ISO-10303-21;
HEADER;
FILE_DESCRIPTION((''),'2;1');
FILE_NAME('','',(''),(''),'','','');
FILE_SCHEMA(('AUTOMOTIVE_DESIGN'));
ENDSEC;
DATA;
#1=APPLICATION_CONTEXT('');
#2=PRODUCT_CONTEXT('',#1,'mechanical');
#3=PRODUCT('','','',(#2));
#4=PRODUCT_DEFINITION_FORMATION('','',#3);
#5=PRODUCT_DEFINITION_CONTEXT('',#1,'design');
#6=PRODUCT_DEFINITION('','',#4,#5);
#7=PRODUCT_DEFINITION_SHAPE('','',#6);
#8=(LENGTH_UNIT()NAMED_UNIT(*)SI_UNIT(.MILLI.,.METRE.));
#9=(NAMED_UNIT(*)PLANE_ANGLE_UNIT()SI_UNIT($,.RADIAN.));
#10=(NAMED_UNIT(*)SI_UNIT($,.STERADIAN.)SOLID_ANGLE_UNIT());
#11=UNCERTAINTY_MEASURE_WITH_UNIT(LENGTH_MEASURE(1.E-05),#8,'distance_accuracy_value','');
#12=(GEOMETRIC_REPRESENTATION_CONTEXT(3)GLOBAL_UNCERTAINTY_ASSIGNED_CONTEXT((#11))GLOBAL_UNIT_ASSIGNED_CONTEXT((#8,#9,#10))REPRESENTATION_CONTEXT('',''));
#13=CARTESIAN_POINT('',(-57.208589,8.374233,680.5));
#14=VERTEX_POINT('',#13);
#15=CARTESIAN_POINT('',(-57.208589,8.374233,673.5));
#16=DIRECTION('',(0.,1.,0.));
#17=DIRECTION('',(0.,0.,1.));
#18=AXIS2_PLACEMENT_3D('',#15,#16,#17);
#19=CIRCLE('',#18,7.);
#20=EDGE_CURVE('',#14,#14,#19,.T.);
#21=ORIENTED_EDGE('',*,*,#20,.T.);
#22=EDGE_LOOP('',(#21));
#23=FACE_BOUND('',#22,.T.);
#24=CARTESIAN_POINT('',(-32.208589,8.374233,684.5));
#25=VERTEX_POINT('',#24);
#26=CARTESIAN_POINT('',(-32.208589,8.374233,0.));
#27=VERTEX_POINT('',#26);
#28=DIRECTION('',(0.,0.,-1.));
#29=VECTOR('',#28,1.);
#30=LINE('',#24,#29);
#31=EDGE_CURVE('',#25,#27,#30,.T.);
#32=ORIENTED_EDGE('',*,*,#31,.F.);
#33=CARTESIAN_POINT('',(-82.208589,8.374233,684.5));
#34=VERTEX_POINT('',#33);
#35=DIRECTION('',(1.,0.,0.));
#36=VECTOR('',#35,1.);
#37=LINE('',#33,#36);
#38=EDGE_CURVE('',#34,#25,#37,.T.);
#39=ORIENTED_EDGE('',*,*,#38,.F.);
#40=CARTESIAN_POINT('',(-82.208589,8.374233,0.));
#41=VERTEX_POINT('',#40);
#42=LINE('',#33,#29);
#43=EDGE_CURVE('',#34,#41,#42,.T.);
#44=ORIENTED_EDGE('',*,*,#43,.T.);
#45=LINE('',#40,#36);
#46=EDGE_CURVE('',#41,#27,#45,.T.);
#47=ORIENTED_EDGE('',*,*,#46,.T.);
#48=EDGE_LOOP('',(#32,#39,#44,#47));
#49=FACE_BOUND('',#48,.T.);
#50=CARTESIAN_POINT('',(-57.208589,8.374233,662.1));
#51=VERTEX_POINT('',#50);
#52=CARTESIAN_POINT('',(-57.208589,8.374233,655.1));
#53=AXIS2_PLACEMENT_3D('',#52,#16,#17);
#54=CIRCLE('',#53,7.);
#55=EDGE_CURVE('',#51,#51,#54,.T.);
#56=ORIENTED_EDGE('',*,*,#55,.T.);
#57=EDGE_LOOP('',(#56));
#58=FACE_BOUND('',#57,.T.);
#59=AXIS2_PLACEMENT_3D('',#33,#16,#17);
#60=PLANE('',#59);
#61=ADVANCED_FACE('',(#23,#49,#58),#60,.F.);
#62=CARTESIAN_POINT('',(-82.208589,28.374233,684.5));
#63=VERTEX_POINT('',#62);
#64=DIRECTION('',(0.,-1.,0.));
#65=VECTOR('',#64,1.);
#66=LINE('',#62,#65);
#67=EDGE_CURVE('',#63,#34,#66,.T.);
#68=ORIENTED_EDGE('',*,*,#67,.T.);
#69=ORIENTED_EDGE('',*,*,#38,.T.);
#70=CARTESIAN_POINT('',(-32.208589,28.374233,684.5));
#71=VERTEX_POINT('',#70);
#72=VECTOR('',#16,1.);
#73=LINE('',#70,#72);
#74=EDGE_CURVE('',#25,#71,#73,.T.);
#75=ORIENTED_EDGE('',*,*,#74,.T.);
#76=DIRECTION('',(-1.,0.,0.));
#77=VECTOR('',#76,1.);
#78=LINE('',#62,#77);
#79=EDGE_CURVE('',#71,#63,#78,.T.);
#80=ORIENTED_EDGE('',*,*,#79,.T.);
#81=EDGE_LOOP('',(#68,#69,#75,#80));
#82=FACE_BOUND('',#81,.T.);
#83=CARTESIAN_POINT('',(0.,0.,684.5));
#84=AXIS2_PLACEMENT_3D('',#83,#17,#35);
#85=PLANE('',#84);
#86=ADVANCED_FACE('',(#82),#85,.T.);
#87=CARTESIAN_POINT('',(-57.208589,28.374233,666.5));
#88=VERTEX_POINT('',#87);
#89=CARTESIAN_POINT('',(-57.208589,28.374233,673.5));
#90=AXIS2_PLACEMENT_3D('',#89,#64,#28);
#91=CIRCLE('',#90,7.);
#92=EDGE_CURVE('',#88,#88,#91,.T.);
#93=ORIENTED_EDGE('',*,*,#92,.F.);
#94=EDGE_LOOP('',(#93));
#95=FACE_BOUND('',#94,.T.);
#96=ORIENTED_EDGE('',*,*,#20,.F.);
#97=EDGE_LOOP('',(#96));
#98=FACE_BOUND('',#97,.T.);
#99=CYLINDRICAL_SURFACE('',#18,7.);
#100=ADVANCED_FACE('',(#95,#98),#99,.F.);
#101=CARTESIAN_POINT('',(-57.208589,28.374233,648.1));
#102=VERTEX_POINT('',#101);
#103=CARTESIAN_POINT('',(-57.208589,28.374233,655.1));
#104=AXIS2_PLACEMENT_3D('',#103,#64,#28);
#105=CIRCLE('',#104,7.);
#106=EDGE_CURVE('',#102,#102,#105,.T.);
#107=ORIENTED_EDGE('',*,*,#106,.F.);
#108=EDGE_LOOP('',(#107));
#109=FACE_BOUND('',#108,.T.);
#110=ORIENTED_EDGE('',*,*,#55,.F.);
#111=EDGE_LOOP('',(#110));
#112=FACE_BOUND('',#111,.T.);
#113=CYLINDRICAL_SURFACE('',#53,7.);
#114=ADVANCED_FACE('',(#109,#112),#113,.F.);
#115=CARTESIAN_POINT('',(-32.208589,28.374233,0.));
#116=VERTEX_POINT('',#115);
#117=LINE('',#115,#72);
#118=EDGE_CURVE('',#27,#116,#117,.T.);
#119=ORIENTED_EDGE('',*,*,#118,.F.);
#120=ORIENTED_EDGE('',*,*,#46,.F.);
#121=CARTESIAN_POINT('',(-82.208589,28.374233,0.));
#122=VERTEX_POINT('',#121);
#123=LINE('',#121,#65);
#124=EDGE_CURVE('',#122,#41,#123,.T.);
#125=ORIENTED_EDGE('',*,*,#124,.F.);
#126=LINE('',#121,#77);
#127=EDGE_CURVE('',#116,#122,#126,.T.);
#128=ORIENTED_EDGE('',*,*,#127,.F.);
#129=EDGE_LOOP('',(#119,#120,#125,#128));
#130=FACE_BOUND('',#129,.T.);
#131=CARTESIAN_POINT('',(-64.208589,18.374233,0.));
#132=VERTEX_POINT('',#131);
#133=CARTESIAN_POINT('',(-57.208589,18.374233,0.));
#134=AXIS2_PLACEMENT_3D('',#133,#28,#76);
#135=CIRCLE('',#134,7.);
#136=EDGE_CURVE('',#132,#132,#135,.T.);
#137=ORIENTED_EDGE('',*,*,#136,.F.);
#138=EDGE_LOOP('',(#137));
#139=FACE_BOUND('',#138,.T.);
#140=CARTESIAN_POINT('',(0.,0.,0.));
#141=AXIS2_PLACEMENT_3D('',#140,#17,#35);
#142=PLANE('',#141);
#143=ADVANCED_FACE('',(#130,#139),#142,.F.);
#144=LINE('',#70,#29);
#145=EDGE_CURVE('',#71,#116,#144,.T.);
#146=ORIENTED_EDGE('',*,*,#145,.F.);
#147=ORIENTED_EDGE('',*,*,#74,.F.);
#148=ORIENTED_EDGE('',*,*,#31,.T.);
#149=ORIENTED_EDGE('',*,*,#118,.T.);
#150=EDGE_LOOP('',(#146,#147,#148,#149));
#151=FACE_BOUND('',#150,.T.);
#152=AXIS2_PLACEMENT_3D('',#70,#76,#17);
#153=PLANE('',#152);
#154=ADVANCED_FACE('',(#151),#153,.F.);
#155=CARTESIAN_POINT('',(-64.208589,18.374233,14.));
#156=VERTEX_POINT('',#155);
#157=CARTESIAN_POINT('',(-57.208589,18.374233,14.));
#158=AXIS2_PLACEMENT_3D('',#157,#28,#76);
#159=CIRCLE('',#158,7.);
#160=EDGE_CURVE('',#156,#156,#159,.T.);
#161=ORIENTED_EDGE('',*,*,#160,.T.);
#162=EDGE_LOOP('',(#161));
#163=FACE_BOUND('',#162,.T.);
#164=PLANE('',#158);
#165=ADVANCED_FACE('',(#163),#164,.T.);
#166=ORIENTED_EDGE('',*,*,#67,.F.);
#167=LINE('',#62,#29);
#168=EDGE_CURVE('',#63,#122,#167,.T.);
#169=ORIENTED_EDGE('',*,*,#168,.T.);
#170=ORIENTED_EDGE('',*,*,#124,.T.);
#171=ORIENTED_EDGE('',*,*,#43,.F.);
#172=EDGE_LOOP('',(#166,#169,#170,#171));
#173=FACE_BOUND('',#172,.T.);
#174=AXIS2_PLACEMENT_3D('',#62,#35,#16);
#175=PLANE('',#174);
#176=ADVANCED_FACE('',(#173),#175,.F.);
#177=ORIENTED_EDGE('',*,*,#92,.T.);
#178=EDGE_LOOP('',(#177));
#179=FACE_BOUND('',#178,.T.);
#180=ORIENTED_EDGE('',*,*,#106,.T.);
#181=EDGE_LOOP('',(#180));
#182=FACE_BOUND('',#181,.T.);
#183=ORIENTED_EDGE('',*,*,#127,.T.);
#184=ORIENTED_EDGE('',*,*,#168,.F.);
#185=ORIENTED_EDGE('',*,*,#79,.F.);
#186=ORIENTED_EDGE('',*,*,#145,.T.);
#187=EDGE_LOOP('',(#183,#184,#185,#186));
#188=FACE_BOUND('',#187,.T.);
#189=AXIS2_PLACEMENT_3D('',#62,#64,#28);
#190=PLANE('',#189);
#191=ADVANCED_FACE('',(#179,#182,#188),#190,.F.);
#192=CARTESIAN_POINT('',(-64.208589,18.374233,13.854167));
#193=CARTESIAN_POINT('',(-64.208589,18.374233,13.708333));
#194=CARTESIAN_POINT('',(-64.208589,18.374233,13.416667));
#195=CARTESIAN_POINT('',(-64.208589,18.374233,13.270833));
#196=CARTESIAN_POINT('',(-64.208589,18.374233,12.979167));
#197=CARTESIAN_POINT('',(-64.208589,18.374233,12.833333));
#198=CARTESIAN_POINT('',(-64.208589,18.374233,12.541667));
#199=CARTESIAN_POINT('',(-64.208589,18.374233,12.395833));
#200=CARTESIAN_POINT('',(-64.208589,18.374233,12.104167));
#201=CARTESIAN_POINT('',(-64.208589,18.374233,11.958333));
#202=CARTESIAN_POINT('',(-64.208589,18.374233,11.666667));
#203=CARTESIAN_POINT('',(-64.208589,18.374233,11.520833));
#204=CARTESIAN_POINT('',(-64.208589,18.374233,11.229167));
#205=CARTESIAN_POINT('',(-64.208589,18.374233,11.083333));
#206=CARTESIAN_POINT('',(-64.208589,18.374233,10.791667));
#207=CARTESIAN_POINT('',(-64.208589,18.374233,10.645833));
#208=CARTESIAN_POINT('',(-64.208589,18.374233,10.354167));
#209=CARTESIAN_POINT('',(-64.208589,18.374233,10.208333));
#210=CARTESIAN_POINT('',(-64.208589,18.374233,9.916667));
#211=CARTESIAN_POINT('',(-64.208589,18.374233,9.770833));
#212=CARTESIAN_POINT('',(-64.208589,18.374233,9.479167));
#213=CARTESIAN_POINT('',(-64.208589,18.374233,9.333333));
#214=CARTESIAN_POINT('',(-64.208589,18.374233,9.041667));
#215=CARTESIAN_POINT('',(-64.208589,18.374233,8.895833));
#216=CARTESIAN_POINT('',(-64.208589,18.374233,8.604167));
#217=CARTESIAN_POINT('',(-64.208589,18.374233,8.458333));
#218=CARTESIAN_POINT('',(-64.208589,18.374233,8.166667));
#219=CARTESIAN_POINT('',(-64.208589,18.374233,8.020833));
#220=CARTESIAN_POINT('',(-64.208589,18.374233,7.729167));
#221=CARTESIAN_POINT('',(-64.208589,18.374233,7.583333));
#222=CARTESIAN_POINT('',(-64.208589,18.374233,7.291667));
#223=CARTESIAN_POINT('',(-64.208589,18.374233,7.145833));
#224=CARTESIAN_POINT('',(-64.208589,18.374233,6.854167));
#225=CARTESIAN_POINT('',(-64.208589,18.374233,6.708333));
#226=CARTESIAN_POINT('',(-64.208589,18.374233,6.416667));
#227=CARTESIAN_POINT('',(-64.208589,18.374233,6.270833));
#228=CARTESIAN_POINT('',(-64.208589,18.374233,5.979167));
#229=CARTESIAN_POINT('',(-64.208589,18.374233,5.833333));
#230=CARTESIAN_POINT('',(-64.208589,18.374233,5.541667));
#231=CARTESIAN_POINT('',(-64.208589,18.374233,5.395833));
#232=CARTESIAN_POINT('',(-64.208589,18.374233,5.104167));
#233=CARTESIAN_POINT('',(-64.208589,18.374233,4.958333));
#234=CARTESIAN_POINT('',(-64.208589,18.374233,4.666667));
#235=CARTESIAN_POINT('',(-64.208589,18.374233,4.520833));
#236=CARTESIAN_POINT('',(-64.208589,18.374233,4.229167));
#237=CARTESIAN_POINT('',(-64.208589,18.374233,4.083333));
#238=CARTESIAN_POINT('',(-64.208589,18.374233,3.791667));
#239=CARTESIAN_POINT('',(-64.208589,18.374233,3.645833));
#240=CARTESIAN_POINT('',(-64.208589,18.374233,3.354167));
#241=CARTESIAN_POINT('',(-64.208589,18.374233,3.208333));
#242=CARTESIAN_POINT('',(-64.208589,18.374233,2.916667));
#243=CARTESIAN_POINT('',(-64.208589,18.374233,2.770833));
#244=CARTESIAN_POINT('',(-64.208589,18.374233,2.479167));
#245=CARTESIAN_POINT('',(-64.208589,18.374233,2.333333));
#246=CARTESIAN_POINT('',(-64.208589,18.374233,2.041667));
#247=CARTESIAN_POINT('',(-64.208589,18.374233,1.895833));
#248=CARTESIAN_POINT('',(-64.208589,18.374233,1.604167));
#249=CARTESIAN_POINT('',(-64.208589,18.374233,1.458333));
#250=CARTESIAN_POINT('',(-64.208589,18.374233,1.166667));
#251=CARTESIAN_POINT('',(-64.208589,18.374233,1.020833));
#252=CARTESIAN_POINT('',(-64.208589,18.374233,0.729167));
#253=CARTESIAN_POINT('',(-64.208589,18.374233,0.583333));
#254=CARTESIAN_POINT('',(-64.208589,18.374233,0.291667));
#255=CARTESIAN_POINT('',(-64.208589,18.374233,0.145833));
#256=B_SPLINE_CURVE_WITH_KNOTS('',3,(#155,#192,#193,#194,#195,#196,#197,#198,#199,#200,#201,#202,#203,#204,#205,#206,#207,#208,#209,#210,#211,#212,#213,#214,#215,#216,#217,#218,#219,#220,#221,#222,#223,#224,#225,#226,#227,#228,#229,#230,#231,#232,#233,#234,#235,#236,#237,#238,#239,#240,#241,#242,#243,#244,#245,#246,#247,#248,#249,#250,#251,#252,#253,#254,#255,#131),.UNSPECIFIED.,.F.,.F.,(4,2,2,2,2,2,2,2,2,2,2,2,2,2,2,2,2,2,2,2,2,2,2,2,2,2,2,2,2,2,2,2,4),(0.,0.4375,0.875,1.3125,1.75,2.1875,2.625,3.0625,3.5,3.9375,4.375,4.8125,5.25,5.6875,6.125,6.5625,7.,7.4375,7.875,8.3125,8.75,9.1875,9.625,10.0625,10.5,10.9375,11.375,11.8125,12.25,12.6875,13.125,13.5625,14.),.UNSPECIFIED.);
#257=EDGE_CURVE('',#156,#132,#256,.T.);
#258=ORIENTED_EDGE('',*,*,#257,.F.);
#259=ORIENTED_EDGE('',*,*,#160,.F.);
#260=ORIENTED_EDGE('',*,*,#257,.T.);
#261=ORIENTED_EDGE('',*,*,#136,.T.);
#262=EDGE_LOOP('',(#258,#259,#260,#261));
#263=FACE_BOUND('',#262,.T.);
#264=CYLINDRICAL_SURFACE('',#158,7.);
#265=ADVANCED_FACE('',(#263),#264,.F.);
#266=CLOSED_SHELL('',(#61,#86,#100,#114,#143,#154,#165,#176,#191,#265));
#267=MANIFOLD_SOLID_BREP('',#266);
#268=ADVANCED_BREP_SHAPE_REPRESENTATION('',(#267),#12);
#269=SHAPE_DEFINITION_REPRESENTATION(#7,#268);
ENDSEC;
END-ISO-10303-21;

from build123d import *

# Parameters (mm, degrees)
SKETCH2_W               = 50
SKETCH2_H               = 20
BOSS_EXTRUDE1_DEPTH     = 684.5
CUT_EXTRUDE1_DEPTH      = 690.708998128
CUT_EXTRUDE1_DEPTH_BACK = 690.708998128
SKETCH3_R               = 7
SKETCH4_R               = 7
CUT_EXTRUDE2_DEPTH      = 14


with BuildPart() as part:
    # Sketch2 → Boss-Extrude1 (new body)
    with BuildSketch(Plane.XY):
        with Locations((-57.208588957, 18.374233129)):
            Rectangle(SKETCH2_W, SKETCH2_H)
    extrude(amount=BOSS_EXTRUDE1_DEPTH)

    # Sketch3 → Cut-Extrude1 (cut, two sides: drawn at the far end of the back side and taken through both)
    with BuildSketch(Plane(origin=(0, 28.374233129, 0), x_dir=(1, 0, 0), z_dir=(0, 1, 0)).offset(-CUT_EXTRUDE1_DEPTH_BACK)):
        with Locations(Location((-57.208588957, -673.5, 0), (0, 0, 270))):
            Circle(SKETCH3_R)
        with Locations(Location((-57.208588957, -655.1, 0), (0, 0, 270))):
            Circle(SKETCH3_R)
    extrude(amount=CUT_EXTRUDE1_DEPTH + CUT_EXTRUDE1_DEPTH_BACK, mode=Mode.SUBTRACT)

    # Sketch4 → Cut-Extrude2 (cut)
    with BuildSketch(Plane(origin=(0, 0, 0), x_dir=(-1, 0, 0), z_dir=(0, 0, -1))):
        with Locations((57.208588957, 18.374233129)):
            Circle(SKETCH4_R)
    extrude(amount=-CUT_EXTRUDE2_DEPTH, mode=Mode.SUBTRACT)


solid = part.part
